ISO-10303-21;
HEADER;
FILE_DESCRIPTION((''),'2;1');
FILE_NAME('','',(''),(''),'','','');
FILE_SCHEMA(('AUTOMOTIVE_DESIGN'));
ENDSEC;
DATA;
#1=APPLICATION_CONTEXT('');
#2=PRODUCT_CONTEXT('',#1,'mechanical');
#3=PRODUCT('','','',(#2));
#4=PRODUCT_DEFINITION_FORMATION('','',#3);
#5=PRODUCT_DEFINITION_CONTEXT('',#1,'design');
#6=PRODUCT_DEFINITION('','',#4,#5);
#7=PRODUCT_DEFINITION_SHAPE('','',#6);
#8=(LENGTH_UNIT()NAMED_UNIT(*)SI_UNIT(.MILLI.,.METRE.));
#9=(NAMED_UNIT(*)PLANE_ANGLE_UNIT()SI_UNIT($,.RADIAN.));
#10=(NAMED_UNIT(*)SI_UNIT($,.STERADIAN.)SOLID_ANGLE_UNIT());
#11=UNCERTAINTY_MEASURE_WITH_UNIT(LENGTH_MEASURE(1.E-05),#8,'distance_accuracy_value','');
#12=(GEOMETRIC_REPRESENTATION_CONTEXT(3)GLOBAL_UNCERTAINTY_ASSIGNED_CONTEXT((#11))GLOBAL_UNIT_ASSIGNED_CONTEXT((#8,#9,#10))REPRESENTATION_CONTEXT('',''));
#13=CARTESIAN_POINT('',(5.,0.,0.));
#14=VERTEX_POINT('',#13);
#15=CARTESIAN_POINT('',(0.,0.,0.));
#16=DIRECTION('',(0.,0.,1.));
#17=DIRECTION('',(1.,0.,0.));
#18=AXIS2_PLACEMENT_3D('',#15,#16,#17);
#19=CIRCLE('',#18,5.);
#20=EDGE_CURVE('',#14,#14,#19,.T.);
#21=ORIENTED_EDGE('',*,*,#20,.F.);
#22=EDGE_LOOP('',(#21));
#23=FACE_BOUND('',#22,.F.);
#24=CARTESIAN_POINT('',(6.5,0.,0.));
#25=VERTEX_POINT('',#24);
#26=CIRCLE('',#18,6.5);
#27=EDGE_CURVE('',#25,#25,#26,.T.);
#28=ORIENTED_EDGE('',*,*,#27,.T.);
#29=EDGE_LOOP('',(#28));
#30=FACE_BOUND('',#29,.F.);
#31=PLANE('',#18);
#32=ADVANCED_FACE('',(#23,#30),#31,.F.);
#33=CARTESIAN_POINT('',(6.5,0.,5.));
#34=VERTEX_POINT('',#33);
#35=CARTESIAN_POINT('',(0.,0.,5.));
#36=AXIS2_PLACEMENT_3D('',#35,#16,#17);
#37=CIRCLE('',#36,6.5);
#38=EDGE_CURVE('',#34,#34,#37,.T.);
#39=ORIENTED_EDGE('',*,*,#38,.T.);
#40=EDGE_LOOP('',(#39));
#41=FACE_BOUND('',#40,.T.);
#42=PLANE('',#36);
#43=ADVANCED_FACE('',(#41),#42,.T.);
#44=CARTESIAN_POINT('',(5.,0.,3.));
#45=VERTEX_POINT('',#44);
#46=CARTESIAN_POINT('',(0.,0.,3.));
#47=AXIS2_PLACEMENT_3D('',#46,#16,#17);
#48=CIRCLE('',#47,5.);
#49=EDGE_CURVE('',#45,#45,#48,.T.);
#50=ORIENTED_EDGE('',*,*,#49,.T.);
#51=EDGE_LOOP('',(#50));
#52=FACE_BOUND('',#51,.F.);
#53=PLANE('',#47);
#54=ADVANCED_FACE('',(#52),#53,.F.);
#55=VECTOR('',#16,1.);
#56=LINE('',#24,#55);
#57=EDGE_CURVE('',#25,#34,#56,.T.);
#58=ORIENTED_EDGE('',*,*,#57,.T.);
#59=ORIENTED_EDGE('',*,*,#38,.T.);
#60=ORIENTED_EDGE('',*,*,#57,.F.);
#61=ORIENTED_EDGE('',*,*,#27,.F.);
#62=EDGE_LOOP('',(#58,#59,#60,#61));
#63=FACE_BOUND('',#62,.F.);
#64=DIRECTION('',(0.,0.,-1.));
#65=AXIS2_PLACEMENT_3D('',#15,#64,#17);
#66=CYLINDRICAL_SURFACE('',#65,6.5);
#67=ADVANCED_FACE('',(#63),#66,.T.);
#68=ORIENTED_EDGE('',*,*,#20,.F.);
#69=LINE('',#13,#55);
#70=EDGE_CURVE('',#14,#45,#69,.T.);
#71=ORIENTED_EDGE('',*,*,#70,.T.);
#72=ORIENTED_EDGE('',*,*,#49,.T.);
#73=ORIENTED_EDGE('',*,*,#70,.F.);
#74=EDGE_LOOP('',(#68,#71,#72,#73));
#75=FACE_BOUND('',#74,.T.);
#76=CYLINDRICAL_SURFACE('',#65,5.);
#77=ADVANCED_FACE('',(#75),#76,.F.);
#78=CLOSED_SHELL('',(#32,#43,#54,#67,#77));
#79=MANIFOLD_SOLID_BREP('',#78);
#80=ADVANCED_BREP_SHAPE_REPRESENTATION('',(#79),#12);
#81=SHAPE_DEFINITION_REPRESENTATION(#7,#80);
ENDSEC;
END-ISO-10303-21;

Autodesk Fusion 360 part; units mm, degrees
sketch "Sketch1" plane through (0, 0, 0) normal (0, 0, 1) x (1, 0, 0)
  circle A0 centre (0, 0) radius 5
  circle A1 centre (0, 0) radius 6.5
  dimension "d1" = 10
  dimension "d2" = 13
extrude "Extrude1" add sketch "Sketch1" along normal blind 5 contours A0 | A1
extrude "Extrude2" cut sketch "Sketch1" along normal blind 3 contours A0
